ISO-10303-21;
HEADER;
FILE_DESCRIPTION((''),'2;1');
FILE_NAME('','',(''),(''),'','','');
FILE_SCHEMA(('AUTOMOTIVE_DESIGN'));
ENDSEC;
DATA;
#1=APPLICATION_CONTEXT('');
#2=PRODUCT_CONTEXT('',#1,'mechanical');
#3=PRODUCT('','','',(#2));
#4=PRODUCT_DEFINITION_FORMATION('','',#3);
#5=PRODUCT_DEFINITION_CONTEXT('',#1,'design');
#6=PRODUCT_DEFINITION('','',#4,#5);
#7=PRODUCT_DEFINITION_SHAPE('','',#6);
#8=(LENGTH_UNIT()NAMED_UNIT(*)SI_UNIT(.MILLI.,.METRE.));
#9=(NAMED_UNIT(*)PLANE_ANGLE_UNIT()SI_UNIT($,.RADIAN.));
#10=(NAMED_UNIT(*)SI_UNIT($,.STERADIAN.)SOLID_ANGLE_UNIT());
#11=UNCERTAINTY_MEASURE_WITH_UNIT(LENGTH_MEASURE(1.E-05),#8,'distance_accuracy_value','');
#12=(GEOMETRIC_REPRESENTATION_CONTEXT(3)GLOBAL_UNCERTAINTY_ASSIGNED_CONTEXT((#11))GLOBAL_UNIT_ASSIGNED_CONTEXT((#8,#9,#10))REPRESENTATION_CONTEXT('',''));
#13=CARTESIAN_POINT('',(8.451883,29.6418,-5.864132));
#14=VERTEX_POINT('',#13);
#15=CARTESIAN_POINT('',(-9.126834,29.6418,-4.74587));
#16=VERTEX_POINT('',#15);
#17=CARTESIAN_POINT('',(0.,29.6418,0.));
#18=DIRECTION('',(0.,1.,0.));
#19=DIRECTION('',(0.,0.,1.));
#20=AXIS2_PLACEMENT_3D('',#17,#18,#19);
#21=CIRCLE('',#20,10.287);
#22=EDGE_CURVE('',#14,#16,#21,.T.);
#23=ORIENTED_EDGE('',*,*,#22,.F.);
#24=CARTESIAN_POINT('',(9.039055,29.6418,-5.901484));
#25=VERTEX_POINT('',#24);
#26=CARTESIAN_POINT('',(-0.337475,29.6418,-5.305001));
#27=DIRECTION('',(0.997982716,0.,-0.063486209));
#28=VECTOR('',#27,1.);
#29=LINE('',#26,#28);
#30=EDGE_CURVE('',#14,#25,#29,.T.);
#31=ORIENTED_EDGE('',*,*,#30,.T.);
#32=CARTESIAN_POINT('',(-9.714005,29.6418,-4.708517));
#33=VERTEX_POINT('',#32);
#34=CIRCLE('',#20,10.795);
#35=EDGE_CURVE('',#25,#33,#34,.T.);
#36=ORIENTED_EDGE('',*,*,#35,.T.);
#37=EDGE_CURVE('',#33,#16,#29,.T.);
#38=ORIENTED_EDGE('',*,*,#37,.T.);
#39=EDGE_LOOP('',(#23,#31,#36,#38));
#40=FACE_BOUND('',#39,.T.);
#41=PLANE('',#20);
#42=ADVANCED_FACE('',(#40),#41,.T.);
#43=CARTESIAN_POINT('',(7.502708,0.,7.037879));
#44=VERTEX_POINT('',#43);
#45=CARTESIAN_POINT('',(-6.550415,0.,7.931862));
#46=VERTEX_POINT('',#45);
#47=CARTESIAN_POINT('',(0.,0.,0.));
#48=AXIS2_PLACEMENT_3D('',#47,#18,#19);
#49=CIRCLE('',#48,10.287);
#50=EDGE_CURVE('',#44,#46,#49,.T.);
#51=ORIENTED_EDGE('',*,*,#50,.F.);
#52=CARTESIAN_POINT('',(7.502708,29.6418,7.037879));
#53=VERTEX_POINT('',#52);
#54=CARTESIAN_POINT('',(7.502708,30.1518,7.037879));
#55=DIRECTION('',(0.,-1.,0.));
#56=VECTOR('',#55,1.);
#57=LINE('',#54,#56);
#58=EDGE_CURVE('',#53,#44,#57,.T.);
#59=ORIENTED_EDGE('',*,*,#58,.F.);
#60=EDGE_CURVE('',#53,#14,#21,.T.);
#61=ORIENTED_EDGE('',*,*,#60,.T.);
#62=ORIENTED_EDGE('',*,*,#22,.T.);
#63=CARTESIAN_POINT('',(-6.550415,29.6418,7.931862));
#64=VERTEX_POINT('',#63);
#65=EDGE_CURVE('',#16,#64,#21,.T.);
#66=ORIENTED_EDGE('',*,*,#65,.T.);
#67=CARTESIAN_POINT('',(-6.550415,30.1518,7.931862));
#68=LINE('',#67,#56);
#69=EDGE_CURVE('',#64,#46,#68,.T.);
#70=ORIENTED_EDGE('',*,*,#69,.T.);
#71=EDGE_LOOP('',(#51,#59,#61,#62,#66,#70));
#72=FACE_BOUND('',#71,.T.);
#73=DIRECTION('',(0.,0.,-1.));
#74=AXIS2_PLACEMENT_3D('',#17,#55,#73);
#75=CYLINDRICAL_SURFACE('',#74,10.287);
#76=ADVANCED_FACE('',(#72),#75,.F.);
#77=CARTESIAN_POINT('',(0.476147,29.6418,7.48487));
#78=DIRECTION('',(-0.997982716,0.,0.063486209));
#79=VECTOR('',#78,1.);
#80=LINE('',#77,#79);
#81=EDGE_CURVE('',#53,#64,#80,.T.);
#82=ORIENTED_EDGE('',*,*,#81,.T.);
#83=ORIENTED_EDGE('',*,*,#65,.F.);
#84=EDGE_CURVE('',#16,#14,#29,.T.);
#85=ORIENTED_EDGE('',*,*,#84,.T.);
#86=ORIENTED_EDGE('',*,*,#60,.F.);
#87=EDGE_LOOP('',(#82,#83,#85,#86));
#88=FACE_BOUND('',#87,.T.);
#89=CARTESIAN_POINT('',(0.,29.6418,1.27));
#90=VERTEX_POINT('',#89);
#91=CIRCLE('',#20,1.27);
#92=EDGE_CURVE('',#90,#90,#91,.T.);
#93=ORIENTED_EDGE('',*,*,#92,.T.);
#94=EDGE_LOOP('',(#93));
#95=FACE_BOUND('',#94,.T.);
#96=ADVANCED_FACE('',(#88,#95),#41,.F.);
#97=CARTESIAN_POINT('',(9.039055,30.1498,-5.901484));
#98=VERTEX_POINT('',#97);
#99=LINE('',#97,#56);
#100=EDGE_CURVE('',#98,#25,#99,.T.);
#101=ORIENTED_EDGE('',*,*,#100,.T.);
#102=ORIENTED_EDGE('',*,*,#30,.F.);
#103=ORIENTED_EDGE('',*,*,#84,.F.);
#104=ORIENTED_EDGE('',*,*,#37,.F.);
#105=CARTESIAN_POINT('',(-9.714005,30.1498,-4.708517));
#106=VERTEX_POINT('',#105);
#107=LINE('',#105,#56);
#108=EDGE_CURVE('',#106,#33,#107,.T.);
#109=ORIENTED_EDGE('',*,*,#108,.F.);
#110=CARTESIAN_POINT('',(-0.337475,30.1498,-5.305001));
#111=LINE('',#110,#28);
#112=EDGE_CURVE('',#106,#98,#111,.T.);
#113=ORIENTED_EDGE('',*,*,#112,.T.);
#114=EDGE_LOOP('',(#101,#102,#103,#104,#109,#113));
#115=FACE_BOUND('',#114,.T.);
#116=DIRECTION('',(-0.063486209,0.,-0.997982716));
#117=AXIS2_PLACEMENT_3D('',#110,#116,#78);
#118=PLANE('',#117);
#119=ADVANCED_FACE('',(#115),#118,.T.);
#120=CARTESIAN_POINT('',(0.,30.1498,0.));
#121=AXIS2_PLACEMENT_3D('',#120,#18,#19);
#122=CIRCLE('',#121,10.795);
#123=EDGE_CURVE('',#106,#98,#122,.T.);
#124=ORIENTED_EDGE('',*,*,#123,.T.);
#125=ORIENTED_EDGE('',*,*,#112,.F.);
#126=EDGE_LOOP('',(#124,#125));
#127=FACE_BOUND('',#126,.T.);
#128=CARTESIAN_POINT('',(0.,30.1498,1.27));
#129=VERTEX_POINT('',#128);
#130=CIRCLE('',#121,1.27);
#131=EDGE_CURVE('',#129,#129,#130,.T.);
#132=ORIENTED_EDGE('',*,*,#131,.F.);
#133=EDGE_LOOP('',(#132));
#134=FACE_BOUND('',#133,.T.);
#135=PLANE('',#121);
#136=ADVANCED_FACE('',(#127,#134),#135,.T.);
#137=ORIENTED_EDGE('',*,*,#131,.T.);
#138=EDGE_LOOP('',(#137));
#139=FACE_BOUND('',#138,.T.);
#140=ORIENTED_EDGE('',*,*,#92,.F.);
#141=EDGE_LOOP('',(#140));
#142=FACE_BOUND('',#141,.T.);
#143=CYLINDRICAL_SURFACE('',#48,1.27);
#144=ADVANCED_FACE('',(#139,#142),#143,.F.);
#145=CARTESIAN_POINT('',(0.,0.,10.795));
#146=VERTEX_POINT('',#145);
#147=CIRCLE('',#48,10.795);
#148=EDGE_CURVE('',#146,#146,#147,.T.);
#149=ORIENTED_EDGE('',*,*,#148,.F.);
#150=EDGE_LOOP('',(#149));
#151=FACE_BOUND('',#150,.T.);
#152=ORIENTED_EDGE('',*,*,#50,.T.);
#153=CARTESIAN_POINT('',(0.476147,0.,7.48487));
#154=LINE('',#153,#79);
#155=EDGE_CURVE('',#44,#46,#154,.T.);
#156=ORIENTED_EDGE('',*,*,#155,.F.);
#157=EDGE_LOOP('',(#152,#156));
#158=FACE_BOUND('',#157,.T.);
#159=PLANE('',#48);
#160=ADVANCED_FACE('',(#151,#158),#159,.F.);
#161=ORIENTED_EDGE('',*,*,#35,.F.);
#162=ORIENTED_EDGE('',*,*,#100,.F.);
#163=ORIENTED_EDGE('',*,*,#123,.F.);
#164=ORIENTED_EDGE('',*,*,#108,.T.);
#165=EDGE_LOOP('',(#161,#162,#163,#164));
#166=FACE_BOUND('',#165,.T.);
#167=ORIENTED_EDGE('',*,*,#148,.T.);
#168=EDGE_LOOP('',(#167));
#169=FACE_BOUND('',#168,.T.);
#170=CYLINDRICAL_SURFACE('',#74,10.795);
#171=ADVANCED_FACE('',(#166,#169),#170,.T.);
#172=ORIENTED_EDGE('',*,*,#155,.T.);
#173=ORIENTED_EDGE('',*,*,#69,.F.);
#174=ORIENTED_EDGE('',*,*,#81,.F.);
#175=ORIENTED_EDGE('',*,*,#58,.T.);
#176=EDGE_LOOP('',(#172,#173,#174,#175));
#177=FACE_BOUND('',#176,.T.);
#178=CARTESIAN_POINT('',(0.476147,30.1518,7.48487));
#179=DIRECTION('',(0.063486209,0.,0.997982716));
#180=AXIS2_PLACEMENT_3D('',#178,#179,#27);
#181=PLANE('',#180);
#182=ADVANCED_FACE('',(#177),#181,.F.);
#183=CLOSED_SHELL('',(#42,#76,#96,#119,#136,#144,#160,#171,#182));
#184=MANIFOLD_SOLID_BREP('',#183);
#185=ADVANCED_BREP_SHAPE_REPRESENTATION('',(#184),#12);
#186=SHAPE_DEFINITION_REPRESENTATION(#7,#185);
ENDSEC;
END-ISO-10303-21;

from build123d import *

# Parameters (mm, degrees)
SKETCH1_R           = 10.795
SKETCH1_R_2         = 10.287
BOSS_EXTRUDE1_DEPTH = 29.6418
BOSS_EXTRUDE3_DEPTH = 0.508
SKETCH3_R           = 1.27
CUT_EXTRUDE1_DEPTH  = 31.1498
BOSS_EXTRUDE4_REACH = 32.15


with BuildPart() as part:
    # Sketch1 → Boss-Extrude1 (new body)
    with BuildSketch(Plane(origin=(0, 0, 0), x_dir=(1, 0, 0), z_dir=(0, 1, 0))):
        Circle(SKETCH1_R)
        Circle(SKETCH1_R_2, mode=Mode.SUBTRACT)
    extrude(amount=BOSS_EXTRUDE1_DEPTH)

    # Sketch2 → Boss-Extrude3 (add)
    with BuildSketch(Plane(origin=(0, 29.6418, 0), x_dir=(1, 0, 0), z_dir=(0, 1, 0))):
        with BuildLine():
            Line((8.451883262, 5.864131507), (-9.126833577, 4.745869558))
            ThreePointArc((-9.126833577, 4.745869558), (-2.442809038, -9.992750022), (10.287, 0))
            ThreePointArc((10.287, 0), (9.81750712, 3.072283018), (8.451883262, 5.864131507))
        make_face()
        with BuildLine():
            Line((-9.126833577, 4.745869558), (-9.714005015, 4.708516918))
            ThreePointArc((-9.714005015, 4.708516918), (-2.415506247, -10.521281033), (10.795, 0))
            ThreePointArc((10.795, 0), (10.346705284, 3.078589735), (9.0390547, 5.901484146))
            Line((9.0390547, 5.901484146), (8.451883262, 5.864131507))
            ThreePointArc((8.451883262, 5.864131507), (9.81750712, 3.072283018), (10.287, 0))
            ThreePointArc((10.287, 0), (-2.442809038, -9.992750022), (-9.126833577, 4.745869558))
        make_face()
    extrude(amount=BOSS_EXTRUDE3_DEPTH)

    # Sketch3 → Cut-Extrude1 (cut, through all)
    with BuildSketch(Plane(origin=(0, 30.1498, 0), x_dir=(1, 0, 0), z_dir=(0, 1, 0))):
        Circle(SKETCH3_R)
    extrude(amount=-CUT_EXTRUDE1_DEPTH, mode=Mode.SUBTRACT)

    # Sketch6 → Boss-Extrude4 (add, up to next)
    with BuildSketch(Plane.XZ, mode=Mode.PRIVATE) as boss_extrude4_sk1:
        with BuildLine():
            Line((-3.869377765, 7.761308892), (4.821670905, 7.208431847))
            Line((4.821670905, 7.208431847), (7.502708149, 7.037878901))
            ThreePointArc((7.502708149, 7.037878901), (0.653082635, 10.266248198), (-6.550415009, 7.931861837))
            Line((-6.550415009, 7.931861837), (-3.869377765, 7.761308892))
        make_face()
    boss_extrude4_tool1 = extrude(boss_extrude4_sk1.sketch, amount=-BOSS_EXTRUDE4_REACH, mode=Mode.PRIVATE) - part.part
    add(boss_extrude4_tool1.solids().sort_by_distance((0.547813, 0, 8.611444))[0])


solid = part.part
